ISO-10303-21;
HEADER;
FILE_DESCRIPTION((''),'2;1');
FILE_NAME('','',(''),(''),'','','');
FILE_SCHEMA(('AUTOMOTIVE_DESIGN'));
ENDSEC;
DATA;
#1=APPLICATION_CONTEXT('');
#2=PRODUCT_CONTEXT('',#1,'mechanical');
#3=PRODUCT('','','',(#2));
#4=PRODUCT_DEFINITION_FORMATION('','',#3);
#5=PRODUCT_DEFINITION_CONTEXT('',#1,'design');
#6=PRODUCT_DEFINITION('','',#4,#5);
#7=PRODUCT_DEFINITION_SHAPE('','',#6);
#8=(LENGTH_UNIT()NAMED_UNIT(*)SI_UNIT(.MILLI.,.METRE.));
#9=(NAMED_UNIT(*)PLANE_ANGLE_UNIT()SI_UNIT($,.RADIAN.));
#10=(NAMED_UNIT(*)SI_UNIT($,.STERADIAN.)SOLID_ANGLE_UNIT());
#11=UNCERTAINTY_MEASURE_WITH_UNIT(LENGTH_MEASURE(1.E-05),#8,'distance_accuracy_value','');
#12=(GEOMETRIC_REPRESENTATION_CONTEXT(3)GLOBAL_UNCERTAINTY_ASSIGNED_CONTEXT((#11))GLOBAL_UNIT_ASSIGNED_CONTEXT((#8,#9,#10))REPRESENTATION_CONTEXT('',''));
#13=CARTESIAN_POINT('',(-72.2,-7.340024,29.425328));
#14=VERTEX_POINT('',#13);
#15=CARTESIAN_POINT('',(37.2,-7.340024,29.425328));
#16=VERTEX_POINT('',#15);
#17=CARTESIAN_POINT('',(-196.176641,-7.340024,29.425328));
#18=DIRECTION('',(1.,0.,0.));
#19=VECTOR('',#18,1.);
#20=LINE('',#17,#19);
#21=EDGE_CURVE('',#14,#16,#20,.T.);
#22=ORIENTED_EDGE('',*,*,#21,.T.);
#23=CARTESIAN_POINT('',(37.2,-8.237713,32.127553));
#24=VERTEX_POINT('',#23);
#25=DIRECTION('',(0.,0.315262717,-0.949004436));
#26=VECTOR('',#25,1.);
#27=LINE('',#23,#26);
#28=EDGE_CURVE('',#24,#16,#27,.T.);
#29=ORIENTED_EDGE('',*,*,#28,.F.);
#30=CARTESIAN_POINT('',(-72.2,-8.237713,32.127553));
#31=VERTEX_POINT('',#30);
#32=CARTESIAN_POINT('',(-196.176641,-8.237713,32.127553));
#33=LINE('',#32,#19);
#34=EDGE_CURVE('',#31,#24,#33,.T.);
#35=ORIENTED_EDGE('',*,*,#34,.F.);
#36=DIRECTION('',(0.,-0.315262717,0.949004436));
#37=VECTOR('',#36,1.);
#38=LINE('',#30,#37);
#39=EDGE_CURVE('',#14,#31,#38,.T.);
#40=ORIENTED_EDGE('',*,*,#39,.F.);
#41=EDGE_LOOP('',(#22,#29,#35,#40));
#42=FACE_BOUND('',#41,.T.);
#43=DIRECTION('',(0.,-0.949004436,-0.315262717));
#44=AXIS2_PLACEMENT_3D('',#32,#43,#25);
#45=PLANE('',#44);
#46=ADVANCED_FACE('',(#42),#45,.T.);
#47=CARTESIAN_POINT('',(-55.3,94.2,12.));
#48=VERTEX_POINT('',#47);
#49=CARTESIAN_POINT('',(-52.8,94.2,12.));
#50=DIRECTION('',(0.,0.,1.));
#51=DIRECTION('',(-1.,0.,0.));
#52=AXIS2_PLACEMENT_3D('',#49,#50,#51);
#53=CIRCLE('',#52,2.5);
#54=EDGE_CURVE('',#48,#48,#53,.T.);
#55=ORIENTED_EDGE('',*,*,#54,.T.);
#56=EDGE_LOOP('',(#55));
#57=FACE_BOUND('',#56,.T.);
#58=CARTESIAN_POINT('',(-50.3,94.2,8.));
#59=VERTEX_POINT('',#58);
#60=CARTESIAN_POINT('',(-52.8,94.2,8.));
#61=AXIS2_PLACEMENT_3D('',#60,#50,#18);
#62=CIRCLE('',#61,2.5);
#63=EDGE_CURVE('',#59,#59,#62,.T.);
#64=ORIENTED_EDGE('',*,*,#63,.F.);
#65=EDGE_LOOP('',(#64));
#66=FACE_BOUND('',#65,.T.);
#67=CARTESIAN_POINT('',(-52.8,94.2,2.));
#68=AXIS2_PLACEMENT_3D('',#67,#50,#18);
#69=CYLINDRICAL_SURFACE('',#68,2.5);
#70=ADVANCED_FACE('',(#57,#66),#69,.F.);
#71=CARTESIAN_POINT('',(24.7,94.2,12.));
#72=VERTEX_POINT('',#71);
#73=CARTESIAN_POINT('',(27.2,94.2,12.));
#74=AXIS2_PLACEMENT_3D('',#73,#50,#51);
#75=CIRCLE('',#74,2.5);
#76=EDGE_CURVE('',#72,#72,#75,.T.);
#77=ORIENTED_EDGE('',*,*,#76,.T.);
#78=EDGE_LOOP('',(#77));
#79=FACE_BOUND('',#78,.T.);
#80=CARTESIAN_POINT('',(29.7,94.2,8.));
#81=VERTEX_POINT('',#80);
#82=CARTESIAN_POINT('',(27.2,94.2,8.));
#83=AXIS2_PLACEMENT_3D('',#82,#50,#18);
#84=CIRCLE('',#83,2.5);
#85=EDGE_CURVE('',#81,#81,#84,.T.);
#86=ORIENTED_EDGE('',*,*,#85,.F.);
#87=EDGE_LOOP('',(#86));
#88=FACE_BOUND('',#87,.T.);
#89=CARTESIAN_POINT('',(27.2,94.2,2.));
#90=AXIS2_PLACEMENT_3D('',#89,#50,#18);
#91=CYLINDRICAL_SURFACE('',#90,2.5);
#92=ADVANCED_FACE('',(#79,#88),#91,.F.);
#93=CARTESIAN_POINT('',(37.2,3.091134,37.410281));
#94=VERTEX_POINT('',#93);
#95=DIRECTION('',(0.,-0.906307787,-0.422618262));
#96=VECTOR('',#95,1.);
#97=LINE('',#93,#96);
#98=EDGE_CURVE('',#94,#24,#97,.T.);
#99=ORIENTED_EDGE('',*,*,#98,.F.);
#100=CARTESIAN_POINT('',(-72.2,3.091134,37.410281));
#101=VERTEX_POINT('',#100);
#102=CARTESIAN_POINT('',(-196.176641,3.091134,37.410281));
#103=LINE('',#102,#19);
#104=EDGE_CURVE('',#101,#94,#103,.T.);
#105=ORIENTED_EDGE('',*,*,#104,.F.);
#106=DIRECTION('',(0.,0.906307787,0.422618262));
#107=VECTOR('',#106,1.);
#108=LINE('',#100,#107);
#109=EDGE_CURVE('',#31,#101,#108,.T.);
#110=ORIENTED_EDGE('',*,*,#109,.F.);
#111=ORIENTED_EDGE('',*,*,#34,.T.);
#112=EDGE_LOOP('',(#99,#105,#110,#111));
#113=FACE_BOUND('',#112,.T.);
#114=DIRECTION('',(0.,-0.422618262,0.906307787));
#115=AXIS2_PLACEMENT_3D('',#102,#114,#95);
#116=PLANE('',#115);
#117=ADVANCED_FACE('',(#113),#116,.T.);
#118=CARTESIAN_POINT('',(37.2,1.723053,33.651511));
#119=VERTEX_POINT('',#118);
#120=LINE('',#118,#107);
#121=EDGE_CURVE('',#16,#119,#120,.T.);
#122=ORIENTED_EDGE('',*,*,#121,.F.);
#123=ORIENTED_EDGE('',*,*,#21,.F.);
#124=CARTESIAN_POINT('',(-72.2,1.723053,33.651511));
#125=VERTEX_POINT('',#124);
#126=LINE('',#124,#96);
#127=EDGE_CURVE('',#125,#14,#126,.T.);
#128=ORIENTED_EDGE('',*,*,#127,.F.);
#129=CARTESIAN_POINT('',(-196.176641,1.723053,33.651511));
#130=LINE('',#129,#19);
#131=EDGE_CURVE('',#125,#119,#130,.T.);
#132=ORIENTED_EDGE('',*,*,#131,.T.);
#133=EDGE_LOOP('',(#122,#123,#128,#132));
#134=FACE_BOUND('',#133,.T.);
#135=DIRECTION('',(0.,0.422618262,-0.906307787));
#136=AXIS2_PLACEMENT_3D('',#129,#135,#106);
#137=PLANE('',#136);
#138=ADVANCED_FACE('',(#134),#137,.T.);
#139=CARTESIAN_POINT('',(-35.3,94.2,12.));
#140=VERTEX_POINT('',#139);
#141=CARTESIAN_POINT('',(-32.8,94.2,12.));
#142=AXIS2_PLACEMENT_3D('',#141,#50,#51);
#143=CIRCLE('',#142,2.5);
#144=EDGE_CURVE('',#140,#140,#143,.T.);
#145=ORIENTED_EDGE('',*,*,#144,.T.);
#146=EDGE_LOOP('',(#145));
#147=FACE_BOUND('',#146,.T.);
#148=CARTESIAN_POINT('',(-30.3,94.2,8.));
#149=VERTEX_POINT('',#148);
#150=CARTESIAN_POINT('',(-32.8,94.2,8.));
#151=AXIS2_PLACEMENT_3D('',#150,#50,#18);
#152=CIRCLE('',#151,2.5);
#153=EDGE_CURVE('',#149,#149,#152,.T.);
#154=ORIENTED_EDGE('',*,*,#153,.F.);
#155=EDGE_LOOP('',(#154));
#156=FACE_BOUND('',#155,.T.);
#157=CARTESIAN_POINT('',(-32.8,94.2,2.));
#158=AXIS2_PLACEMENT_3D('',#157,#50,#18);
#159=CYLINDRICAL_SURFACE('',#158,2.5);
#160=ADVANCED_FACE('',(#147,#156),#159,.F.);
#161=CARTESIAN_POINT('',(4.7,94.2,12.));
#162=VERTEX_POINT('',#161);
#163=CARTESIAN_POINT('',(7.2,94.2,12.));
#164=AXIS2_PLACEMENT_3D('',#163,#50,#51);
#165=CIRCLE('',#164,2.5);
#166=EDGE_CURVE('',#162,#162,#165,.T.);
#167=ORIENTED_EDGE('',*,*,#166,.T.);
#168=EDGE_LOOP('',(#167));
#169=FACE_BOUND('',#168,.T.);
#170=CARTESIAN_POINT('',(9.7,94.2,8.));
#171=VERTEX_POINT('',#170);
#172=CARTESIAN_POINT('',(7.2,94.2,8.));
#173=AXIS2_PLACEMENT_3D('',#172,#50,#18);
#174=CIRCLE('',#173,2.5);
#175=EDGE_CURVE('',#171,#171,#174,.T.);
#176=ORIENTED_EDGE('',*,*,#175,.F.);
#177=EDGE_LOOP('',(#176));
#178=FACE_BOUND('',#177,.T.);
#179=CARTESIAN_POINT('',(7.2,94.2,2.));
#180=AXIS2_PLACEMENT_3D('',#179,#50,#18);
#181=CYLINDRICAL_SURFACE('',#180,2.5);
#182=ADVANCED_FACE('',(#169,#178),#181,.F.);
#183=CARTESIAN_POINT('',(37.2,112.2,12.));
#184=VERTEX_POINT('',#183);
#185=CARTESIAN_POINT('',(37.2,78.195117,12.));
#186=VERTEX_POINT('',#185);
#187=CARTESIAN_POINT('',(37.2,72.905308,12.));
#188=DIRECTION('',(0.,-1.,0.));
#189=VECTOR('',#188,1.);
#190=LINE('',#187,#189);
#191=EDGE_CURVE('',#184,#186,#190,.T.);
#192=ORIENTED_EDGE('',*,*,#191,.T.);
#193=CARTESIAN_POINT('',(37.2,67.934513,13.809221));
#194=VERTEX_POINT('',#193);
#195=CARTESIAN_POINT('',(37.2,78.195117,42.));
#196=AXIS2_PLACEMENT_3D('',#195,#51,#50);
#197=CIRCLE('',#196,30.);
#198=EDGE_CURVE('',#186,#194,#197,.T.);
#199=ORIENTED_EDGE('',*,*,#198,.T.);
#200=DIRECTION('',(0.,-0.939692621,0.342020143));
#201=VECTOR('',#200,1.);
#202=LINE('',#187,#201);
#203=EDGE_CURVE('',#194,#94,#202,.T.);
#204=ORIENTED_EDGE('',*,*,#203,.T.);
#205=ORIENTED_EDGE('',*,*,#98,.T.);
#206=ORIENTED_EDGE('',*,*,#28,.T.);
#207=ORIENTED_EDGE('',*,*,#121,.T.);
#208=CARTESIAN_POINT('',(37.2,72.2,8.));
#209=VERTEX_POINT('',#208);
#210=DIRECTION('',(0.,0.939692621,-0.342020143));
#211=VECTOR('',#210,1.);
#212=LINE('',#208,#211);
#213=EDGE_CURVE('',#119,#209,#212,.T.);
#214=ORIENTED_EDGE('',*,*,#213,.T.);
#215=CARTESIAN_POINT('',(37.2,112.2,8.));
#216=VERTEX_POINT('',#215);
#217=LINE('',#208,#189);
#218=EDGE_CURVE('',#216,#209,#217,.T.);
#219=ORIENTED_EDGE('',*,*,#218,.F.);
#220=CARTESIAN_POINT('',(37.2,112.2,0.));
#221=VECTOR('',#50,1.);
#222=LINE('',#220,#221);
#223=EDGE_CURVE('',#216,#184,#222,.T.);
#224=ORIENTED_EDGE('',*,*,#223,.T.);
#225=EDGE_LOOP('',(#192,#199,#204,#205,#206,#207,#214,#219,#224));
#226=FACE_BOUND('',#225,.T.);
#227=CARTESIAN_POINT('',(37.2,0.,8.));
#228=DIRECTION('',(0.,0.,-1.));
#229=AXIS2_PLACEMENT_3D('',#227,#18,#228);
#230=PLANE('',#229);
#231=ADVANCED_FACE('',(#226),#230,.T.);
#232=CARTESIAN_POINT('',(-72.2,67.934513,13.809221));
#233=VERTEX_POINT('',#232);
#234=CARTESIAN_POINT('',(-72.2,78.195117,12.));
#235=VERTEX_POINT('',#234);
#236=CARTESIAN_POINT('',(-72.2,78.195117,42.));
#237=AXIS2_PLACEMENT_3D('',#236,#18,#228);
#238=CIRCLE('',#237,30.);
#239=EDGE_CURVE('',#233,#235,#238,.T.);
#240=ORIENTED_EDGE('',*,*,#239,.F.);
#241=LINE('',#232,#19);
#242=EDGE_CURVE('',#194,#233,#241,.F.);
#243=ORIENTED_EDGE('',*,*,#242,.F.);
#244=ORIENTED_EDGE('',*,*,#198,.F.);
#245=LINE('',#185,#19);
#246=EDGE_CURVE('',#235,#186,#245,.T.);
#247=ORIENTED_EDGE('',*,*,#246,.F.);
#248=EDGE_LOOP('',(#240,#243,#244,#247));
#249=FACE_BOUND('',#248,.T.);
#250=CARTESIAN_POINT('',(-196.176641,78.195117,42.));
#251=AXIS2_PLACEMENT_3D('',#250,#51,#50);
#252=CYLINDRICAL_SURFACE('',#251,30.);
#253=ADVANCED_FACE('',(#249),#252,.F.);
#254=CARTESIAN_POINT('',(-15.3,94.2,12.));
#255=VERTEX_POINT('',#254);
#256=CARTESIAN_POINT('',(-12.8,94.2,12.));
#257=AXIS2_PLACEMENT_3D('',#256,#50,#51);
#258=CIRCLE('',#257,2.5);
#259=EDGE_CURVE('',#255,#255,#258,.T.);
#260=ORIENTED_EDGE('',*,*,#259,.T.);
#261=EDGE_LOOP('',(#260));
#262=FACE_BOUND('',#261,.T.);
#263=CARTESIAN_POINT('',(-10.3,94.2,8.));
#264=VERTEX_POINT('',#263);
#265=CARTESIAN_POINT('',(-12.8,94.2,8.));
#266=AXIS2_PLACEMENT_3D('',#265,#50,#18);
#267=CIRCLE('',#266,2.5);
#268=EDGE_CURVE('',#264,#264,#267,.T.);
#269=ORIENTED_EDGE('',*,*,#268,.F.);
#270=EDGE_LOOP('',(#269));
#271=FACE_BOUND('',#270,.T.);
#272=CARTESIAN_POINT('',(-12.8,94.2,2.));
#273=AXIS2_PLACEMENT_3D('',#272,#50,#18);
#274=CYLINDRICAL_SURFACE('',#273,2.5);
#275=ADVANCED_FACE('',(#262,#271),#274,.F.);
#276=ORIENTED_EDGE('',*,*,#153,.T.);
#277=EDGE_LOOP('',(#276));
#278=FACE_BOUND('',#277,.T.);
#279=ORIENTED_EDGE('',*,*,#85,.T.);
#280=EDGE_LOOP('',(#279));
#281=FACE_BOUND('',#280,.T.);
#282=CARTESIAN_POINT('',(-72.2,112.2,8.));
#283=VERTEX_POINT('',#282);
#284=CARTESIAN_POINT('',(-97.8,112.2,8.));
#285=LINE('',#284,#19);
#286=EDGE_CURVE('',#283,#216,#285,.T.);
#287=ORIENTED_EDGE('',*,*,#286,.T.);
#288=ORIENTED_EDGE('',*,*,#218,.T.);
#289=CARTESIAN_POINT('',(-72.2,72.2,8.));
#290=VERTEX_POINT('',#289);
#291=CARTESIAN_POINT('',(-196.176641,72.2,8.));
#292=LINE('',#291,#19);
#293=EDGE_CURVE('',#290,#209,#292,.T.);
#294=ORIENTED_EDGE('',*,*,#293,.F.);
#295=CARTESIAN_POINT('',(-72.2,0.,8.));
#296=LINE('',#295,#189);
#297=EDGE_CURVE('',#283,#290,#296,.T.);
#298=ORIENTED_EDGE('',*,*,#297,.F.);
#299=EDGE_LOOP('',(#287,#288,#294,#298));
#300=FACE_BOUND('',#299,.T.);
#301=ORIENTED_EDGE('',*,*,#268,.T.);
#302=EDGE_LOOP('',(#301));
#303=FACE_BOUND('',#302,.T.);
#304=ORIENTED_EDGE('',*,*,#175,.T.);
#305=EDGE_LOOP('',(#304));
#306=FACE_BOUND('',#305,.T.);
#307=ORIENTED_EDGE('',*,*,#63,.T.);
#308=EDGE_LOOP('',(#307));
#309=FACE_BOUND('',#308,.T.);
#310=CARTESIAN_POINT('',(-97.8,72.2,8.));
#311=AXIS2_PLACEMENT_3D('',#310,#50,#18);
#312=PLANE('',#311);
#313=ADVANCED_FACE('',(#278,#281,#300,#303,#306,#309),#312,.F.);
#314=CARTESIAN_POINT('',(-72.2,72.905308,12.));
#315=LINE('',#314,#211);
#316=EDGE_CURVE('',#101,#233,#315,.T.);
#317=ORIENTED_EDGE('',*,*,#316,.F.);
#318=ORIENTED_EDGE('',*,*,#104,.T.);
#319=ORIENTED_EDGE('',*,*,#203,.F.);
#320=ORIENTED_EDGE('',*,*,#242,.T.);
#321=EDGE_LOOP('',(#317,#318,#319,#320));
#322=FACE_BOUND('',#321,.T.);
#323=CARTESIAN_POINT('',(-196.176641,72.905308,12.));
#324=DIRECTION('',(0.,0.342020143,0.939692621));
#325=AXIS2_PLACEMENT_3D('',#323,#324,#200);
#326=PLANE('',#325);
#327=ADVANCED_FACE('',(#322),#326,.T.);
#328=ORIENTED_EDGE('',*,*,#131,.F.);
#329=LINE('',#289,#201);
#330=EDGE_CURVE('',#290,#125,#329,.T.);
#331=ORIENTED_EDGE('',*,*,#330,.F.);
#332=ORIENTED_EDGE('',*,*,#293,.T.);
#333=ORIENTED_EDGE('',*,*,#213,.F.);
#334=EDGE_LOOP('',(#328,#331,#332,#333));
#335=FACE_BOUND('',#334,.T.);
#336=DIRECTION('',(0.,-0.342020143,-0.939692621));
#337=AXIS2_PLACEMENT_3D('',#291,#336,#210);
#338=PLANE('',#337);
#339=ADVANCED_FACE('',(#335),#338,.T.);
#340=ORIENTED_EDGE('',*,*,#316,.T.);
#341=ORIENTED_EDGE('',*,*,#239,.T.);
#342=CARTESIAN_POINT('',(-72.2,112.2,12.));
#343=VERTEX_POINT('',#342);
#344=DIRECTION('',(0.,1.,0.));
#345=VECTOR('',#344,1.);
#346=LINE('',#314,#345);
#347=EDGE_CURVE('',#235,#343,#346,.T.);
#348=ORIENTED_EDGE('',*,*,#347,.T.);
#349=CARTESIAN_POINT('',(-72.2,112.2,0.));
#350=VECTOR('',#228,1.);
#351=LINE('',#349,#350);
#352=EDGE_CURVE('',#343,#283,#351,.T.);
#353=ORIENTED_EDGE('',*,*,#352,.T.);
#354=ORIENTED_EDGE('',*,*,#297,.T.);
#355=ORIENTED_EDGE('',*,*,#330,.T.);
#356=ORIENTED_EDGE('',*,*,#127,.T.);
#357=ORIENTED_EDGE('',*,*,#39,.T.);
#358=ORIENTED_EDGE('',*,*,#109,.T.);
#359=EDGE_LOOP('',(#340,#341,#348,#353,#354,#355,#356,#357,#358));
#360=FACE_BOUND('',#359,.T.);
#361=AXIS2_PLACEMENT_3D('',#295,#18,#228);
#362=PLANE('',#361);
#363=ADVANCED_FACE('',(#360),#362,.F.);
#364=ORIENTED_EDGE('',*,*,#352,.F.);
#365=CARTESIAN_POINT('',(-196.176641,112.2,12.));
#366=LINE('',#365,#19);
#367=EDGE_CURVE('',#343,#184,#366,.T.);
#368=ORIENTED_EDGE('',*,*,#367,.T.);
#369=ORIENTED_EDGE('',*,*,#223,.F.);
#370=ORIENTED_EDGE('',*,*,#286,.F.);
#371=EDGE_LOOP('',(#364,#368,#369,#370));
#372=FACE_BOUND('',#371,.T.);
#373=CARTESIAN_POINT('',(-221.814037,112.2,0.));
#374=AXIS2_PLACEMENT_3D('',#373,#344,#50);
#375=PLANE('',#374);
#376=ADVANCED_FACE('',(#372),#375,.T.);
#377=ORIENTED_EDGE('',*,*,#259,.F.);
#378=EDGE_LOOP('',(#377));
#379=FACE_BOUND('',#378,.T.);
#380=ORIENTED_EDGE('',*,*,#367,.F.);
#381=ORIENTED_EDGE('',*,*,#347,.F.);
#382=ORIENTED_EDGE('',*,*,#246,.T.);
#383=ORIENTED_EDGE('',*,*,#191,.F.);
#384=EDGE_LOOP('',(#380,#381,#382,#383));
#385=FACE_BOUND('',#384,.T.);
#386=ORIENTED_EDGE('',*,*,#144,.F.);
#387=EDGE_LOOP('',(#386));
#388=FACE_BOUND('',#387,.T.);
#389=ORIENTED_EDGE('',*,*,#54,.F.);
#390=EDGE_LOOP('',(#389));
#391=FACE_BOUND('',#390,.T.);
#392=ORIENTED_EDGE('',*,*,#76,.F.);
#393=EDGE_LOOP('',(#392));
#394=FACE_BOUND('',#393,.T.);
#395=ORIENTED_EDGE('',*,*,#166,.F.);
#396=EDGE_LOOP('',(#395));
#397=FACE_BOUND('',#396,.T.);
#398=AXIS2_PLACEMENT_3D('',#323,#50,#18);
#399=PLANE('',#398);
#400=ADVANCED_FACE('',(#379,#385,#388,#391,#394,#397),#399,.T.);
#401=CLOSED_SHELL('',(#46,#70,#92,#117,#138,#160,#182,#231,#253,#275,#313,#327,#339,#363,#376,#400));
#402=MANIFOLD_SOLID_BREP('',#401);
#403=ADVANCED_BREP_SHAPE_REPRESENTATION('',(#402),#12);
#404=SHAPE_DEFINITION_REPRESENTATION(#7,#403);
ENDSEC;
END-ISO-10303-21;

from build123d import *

# Parameters (mm, degrees)
SKETCH1_W           = 109.4
SKETCH1_H           = 109.4
SKETCH1_W_2         = 79.4
SKETCH1_H_2         = 79.4
SKETCH1_R           = 6
SKETCH1_R_2         = 1.5
BOSS_EXTRUDE1_DEPTH = 8
BOSS_EXTRUDE2_DEPTH = 109.4
FILLET1_R           = 30
SKETCH5_W           = 8
SKETCH5_H           = 149.4
BOSS_EXTRUDE3_DEPTH = 109.4
SKETCH3_W           = 8
SKETCH3_H           = 109.4
CUT_EXTRUDE4_DEPTH  = 135
SKETCH7_W           = 8
SKETCH7_H           = 40
CUT_EXTRUDE5_DEPTH  = 135
SKETCH4_R           = 2.5
CUT_EXTRUDE6_DEPTH  = 10


with BuildPart() as part:
    # Sketch1 → Boss-Extrude1 (new body)
    # profile 1 of 2: a face of its own
    with BuildSketch(Plane.XY):
        with Locations((-17.5, 17.5)):
            Rectangle(SKETCH1_W, SKETCH1_H)
        with Locations((-17.5, 17.5)):
            Rectangle(SKETCH1_W_2, SKETCH1_H_2, mode=Mode.SUBTRACT)
    # profile 2 of 2: a face of its own
    with BuildSketch(Plane.XY):
        with Locations((-17.5, 17.5)):
            Rectangle(SKETCH1_W_2, SKETCH1_H_2)
        with Locations((-35, 0)):
            Circle(SKETCH1_R, mode=Mode.SUBTRACT)
        Circle(SKETCH1_R, mode=Mode.SUBTRACT)
        with Locations((0, 35)):
            Circle(SKETCH1_R, mode=Mode.SUBTRACT)
        with Locations((-35, 35)):
            Circle(SKETCH1_R, mode=Mode.SUBTRACT)
        with Locations((-52.809903828, -17.809903828)):
            Circle(SKETCH1_R_2, mode=Mode.SUBTRACT)
        with Locations((-17.5, -17.5)):
            Circle(SKETCH1_R_2, mode=Mode.SUBTRACT)
        with Locations((17.5, -17.5)):
            Circle(SKETCH1_R_2, mode=Mode.SUBTRACT)
        with Locations((17.5, 17.5)):
            Circle(SKETCH1_R_2, mode=Mode.SUBTRACT)
        with Locations((-17.5, 17.5)):
            Circle(SKETCH1_R_2, mode=Mode.SUBTRACT)
        with Locations((-52.5, 17.5)):
            Circle(SKETCH1_R_2, mode=Mode.SUBTRACT)
        with Locations((17.5, 52.5)):
            Circle(SKETCH1_R_2, mode=Mode.SUBTRACT)
        with Locations((-17.5, 52.5)):
            Circle(SKETCH1_R_2, mode=Mode.SUBTRACT)
        with Locations((-52.5, 52.5)):
            Circle(SKETCH1_R_2, mode=Mode.SUBTRACT)
    extrude(amount=BOSS_EXTRUDE1_DEPTH)



with BuildPart() as body_2:
    # Sketch2 → Boss-Extrude2 (new body)
    with BuildSketch(Plane(origin=(37.2, 0, 0), x_dir=(0, 0, -1), z_dir=(1, 0, 0))):
        Polygon((-8, 72.2), (-33.651510749, 1.723053441), (-29.425328132, -7.340024429), (-32.127552961, -8.237713324), (-37.410281233, 3.091134014), (-12, 72.905307923), (-12, 112.2), (-8, 112.2), align=None)
    extrude(amount=-BOSS_EXTRUDE2_DEPTH)

    # Fillet1
    fillet1_edges = [body_2.edges().sort_by_distance(p)[0] for p in [
        (-17.5, 72.905307923, 12),
    ]]
    fillet(fillet1_edges, radius=FILLET1_R)


with BuildPart() as part_1:
    add(part.part)

    add(body_2.part)  # Boss-Extrude3 merges body 2
    # Sketch5 → Boss-Extrude3 (add)
    with BuildSketch(Plane(origin=(37.2, 0, 0), x_dir=(0, 0, -1), z_dir=(1, 0, 0))):
        with Locations((-4, 37.5)):
            Rectangle(SKETCH5_W, SKETCH5_H)
    extrude(amount=-BOSS_EXTRUDE3_DEPTH)

    # Sketch3 → Cut-Extrude4 (cut)
    with BuildSketch(Plane(origin=(37.2, 0, 0), x_dir=(0, 0, -1), z_dir=(1, 0, 0))):
        with Locations((-4, 17.5)):
            Rectangle(SKETCH3_W, SKETCH3_H)
    extrude(amount=-CUT_EXTRUDE4_DEPTH, mode=Mode.SUBTRACT)

    # Sketch7 → Cut-Extrude5 (cut)
    with BuildSketch(Plane(origin=(37.2, 0, 0), x_dir=(0, 0, -1), z_dir=(1, 0, 0))):
        with Locations((-4, 92.2)):
            Rectangle(SKETCH7_W, SKETCH7_H)
    extrude(amount=-CUT_EXTRUDE5_DEPTH, mode=Mode.SUBTRACT)

    # Sketch4 → Cut-Extrude6 (cut)
    with BuildSketch(Plane.XY.offset(12)):
        with Locations((-52.8, 94.2)):
            Circle(SKETCH4_R)
        with Locations((-32.8, 94.2)):
            Circle(SKETCH4_R)
        with Locations((-12.8, 94.2)):
            Circle(SKETCH4_R)
        with Locations((7.2, 94.2)):
            Circle(SKETCH4_R)
        with Locations((27.2, 94.2)):
            Circle(SKETCH4_R)
    extrude(amount=-CUT_EXTRUDE6_DEPTH, mode=Mode.SUBTRACT)


solid = part_1.part
